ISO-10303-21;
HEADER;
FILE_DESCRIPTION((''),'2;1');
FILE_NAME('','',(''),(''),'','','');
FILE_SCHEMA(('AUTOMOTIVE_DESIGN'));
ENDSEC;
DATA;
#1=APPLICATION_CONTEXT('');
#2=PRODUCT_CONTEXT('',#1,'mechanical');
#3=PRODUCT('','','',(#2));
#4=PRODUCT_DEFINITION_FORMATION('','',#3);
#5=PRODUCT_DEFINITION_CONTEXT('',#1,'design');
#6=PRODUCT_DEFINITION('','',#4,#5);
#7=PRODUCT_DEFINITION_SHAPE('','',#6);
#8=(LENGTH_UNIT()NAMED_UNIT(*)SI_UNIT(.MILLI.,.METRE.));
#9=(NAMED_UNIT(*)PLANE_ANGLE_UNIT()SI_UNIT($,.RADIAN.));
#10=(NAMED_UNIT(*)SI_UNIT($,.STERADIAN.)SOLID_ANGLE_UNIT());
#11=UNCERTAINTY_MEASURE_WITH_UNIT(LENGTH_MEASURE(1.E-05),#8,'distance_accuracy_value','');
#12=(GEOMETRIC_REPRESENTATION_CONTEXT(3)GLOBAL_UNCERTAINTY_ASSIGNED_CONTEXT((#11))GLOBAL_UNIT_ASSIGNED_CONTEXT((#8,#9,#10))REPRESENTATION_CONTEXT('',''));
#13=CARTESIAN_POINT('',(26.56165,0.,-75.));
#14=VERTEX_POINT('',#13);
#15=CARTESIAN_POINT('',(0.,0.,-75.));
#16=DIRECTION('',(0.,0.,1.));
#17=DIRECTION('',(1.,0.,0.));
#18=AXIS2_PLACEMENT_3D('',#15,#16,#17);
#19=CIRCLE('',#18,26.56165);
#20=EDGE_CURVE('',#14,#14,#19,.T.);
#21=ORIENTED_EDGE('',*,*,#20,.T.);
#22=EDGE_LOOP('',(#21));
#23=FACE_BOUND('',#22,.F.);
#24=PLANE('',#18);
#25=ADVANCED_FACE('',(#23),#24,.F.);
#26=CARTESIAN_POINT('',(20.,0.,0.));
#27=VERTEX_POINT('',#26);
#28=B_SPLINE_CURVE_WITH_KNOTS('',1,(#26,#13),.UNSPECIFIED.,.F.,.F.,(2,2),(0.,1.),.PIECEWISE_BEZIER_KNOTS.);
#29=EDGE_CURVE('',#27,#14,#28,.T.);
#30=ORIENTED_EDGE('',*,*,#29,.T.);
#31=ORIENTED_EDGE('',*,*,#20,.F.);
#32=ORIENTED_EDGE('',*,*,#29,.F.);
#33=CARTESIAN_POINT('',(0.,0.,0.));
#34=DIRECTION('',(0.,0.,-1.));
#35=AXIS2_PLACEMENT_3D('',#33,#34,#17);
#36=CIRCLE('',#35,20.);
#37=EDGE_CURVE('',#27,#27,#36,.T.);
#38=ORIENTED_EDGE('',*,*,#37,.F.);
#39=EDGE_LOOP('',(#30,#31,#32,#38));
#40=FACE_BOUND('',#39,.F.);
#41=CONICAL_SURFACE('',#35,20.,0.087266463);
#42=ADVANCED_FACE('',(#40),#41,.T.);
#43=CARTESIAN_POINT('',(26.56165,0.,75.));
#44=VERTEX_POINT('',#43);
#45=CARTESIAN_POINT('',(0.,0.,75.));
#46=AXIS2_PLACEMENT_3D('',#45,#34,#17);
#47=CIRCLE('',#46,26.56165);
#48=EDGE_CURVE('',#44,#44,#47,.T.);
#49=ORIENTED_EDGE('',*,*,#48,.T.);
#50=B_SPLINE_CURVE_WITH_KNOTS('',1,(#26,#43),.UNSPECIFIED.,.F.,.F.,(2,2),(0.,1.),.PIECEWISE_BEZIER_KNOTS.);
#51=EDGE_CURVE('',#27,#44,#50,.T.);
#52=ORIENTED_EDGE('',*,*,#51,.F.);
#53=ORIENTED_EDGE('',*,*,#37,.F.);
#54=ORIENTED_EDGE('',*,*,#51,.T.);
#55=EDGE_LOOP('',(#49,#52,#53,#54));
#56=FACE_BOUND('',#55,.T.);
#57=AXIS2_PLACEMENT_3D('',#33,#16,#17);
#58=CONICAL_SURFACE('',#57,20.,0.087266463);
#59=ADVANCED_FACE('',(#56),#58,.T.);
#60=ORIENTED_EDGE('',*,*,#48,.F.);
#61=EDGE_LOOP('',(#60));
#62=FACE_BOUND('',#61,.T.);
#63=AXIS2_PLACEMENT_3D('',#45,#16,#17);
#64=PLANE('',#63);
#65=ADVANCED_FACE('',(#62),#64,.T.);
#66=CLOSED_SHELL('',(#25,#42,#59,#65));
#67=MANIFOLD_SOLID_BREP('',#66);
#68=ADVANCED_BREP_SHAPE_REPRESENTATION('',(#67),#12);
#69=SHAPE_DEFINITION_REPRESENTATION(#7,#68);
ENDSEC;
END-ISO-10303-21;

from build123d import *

# Parameters (mm, degrees)
F0_R     = 20
F1_DEPTH = 75
F1_TAPER = -5


with BuildPart() as f1:
    # F0 (on Top) → F1 (new body, symmetric)
    with BuildSketch(Plane.XY):
        Circle(F0_R)
    extrude(amount=F1_DEPTH, both=True, taper=F1_TAPER)


solid = f1.part
